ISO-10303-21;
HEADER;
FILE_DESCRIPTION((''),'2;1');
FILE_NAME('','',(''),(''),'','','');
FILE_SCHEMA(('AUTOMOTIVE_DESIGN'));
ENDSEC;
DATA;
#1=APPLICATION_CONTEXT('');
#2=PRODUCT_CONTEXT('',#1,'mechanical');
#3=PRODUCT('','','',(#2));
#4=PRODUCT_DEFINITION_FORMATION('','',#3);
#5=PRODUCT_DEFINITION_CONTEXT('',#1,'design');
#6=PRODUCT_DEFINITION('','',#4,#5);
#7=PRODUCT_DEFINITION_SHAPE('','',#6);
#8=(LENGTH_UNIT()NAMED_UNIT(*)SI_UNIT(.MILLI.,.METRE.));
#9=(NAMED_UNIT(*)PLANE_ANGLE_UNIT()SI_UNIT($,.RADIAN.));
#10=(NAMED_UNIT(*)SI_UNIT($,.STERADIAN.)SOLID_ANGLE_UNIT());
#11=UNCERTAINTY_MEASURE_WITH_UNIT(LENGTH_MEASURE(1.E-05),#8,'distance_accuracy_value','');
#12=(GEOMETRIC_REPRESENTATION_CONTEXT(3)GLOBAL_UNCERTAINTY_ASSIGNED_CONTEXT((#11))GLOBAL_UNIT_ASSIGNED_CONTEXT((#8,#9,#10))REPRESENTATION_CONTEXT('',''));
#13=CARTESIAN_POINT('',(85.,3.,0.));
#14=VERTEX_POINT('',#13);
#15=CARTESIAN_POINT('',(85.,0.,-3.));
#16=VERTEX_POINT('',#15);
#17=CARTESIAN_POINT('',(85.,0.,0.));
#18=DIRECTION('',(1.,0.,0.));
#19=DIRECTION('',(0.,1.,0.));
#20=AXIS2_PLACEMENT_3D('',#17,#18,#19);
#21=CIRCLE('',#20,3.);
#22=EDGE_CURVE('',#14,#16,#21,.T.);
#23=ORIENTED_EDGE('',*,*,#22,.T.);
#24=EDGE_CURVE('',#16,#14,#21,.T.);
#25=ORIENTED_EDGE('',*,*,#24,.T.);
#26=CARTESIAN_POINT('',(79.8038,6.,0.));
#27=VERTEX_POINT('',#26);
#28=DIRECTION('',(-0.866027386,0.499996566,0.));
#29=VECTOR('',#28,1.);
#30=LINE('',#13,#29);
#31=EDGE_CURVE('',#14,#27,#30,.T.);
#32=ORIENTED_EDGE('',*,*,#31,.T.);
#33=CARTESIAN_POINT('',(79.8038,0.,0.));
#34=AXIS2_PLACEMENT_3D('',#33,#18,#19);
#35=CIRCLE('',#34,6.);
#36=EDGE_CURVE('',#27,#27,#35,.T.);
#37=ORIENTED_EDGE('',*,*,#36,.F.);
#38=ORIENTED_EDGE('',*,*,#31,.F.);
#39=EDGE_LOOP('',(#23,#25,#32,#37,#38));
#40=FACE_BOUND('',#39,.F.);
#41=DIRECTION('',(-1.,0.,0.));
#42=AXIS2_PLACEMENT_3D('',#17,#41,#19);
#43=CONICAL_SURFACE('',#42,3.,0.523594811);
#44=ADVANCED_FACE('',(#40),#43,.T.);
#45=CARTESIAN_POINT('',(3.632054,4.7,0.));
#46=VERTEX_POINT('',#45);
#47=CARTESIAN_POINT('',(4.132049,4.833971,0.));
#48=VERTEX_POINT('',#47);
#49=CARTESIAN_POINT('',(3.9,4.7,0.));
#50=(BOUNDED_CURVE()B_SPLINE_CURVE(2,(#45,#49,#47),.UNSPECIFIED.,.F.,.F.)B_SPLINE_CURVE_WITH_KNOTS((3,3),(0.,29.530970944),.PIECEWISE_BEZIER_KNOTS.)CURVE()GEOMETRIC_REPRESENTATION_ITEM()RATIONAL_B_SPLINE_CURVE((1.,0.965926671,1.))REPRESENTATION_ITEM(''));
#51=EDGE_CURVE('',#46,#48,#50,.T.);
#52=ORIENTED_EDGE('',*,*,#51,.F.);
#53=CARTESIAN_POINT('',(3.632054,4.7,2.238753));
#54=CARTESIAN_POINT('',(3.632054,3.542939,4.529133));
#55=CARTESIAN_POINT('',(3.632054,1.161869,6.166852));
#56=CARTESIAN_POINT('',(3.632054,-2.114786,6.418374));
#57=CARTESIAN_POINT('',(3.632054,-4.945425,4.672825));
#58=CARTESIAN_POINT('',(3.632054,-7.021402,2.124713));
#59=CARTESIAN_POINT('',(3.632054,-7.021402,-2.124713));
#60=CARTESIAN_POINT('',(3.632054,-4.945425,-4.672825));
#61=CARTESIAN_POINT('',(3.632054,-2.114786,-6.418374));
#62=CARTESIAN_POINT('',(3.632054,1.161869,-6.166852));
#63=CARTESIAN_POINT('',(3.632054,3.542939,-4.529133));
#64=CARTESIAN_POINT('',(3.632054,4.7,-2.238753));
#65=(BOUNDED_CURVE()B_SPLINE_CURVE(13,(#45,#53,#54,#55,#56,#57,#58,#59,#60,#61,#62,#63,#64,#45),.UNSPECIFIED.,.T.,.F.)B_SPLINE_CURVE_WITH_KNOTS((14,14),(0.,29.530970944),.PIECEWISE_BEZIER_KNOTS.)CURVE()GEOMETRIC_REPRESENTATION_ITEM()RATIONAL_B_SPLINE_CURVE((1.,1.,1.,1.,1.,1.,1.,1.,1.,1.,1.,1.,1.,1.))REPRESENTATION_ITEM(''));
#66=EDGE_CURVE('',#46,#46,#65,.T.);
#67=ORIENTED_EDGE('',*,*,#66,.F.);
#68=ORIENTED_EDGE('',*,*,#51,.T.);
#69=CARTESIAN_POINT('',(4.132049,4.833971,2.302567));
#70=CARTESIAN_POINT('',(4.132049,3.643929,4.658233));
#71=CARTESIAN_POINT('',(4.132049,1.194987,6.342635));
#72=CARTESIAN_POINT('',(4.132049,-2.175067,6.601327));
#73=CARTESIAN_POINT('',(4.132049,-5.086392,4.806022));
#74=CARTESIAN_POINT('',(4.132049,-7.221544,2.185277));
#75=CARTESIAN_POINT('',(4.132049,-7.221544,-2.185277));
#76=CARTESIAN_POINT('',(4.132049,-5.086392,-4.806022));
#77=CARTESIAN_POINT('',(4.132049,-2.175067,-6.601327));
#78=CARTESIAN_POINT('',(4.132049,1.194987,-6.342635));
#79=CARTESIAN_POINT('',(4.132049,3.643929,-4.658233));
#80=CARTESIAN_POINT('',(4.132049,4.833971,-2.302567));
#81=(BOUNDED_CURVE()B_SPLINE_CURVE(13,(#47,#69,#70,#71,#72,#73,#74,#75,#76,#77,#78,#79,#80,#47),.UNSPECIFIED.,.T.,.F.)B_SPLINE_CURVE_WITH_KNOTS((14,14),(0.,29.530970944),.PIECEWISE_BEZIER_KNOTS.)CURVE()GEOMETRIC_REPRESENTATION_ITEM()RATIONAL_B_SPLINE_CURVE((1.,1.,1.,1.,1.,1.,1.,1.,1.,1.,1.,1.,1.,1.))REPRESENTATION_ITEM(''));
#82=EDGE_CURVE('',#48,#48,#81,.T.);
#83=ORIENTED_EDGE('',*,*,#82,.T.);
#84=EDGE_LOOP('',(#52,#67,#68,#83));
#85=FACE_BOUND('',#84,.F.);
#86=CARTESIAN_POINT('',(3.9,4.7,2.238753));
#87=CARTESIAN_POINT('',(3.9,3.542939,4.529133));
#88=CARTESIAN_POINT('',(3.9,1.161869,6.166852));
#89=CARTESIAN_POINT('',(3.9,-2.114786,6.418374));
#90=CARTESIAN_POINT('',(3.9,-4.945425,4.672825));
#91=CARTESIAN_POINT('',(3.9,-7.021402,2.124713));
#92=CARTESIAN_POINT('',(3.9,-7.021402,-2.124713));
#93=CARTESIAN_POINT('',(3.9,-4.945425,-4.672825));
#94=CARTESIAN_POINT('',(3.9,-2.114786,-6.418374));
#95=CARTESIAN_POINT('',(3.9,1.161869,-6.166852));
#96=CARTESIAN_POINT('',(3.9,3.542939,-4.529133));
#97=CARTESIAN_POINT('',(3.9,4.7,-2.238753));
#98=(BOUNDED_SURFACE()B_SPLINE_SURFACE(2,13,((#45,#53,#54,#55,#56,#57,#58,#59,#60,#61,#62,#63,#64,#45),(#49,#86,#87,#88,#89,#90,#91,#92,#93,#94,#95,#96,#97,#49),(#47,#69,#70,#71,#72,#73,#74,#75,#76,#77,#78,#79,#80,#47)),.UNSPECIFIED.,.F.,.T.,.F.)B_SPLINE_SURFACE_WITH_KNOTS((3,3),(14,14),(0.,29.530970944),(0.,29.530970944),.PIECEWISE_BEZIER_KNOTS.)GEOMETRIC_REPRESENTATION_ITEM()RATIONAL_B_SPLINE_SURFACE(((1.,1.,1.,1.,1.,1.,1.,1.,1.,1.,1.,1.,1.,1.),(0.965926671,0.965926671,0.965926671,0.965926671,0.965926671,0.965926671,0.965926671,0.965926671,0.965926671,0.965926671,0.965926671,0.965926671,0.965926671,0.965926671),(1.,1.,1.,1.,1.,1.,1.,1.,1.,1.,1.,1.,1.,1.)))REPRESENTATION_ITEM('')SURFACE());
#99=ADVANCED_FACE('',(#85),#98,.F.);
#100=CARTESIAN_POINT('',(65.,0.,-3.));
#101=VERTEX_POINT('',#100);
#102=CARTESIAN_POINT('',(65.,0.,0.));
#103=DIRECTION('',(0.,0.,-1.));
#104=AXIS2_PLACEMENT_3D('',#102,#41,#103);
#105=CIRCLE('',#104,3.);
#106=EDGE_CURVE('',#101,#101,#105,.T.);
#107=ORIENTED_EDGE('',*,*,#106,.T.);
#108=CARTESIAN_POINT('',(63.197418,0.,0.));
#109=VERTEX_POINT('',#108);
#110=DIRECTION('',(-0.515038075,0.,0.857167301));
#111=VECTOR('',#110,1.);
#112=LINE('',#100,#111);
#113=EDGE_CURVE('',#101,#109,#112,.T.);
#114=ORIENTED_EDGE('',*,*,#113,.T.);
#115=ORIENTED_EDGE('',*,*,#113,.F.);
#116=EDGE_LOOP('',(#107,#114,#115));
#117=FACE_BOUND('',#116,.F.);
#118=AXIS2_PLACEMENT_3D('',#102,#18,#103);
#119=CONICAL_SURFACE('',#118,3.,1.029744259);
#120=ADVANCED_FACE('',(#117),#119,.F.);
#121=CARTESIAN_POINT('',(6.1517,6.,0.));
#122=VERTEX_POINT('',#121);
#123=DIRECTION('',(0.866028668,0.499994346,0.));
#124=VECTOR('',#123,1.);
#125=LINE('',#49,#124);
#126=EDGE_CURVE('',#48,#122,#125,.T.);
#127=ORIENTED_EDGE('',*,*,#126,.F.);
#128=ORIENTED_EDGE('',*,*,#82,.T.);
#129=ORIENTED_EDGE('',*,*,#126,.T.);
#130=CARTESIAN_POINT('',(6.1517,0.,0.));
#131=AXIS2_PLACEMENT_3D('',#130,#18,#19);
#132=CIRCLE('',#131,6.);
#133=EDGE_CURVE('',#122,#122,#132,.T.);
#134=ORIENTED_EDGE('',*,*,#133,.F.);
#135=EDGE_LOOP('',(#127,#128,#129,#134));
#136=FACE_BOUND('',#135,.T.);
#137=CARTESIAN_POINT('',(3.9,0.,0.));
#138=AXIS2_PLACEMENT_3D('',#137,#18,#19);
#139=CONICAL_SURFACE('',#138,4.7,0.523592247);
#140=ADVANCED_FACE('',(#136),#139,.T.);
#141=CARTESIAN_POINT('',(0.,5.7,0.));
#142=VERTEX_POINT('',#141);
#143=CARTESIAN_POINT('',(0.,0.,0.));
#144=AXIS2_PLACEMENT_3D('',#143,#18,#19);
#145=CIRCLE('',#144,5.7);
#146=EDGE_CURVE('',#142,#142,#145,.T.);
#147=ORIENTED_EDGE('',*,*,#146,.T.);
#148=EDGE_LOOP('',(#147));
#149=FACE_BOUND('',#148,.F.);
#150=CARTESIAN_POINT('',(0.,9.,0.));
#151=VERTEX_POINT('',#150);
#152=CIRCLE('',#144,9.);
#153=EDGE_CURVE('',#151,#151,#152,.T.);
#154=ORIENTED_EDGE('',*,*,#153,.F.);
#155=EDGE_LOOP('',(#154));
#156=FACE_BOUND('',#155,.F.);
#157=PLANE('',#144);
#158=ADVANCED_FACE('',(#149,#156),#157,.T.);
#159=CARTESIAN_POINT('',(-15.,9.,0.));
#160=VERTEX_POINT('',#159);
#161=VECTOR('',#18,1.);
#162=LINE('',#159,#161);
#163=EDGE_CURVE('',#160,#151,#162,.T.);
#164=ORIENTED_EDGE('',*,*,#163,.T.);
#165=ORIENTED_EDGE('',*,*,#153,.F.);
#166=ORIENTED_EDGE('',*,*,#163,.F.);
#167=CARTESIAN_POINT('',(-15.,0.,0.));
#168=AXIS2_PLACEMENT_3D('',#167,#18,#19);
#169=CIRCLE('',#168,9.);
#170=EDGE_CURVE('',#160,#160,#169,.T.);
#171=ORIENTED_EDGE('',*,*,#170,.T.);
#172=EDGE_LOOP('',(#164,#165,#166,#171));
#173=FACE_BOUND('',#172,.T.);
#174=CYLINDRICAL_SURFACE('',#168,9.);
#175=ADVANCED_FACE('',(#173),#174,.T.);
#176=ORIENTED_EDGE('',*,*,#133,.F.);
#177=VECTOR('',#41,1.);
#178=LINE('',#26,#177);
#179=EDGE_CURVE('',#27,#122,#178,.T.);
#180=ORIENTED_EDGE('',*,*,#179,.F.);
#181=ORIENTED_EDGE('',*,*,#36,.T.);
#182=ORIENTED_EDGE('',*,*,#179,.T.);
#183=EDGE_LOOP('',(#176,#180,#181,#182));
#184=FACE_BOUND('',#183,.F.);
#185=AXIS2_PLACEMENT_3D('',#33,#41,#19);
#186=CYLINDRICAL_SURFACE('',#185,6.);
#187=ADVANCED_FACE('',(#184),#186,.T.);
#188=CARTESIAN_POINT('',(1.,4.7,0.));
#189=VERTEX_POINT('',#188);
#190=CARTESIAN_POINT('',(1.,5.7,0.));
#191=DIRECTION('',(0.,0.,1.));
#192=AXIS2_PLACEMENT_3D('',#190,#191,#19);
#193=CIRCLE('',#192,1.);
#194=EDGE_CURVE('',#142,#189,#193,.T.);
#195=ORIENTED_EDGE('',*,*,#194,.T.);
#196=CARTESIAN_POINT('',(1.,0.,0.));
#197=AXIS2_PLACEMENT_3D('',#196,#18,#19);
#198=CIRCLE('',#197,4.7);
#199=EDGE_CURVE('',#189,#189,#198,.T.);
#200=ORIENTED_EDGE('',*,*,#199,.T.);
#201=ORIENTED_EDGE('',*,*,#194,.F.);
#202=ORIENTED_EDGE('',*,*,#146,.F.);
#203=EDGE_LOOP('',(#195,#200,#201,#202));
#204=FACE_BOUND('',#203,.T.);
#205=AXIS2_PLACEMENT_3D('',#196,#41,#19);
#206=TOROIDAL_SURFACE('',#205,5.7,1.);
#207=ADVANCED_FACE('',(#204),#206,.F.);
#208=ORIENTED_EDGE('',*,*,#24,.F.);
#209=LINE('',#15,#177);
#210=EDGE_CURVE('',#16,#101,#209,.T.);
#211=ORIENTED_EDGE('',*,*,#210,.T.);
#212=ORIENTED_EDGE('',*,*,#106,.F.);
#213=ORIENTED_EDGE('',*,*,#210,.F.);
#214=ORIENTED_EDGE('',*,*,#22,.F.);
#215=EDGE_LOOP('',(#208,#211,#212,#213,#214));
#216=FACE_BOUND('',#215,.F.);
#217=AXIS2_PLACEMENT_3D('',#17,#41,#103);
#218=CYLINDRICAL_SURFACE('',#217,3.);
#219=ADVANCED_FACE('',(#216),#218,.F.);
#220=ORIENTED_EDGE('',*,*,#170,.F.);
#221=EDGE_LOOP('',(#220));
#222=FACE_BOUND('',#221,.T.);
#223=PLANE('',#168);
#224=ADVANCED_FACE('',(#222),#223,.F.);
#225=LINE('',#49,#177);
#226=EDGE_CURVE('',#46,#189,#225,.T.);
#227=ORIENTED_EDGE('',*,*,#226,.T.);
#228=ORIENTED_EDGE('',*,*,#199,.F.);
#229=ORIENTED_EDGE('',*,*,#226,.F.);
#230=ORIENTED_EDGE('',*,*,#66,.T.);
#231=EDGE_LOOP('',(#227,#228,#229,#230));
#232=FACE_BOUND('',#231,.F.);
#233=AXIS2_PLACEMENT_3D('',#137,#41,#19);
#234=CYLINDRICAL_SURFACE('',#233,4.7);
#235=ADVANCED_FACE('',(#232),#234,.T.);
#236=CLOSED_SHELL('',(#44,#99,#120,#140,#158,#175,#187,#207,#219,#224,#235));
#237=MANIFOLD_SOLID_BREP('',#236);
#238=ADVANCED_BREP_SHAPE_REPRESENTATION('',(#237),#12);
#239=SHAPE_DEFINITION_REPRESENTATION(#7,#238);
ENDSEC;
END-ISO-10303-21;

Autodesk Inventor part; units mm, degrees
ref_plane "YZ Plane" through (0, 0, 0) normal (1, 0, 0) x (0, 1, 0)
ref_plane "XZ Plane" through (0, 0, 0) normal (0, 1, 0) x (-1, 0, 0)
ref_plane "XY Plane" through (0, 0, 0) normal (0, 0, 1) x (1, 0, 0)
sketch "Skizze1" plane through (0, 0, 0) normal (0, 0, 1) x (1, 0, 0)
  line L0 (-35, 0) -> (105, 0) projected
  line L1 (0, -1.8) -> (0, 10.8) projected
  line L2 (0, 0) -> (65, 0)
  line L3 (85, 0) -> (85, 3)
  line L4 (79.8038, 6) -> (6.1517, 6)
  line L5 (0, 6) -> (0, 0)
  line L6 (0, 0) -> (-15, 0)
  line L7 (-15, 0) -> (-15, 9)
  line L8 (-15, 9) -> (0, 9)
  line L9 (0, 9) -> (0, 0)
  line L10 (85, 0) -> (65, 0)
  line L11 (85, 3) -> (85, 0)
  line L12 (85, 3) -> (79.8038, 6)
  line L13 (0, 0) -> (3.9, 0)
  line L14 (3.9, 0) -> (3.9, 4.7)
  line L15 (3.9, 4.7) -> (0, 4.7)
  line L16 (0, 4.7) -> (0, 0)
  line L17 (3.9, 4.7) -> (6.1517, 6)
  point P0 (85, 1.5)
  point P1 (0, 4.7)
  dimension "d2" = 9
  dimension "d3" = 100
  dimension "d7" = 30
  dimension "d8" = 12
  dimension "d10" = 6
  dimension "d11" = 85
  dimension "d12" = 9.4
  dimension "d13" = 3.9
  dimension "d17" = 30
revolve "Umdrehung1" add sketch "Skizze1" angle 360 about axis through (-10, 0, 0) along (1, 0, 0)
sketch "Skizze2" plane through (85, 0, 0) normal (1, 0, 0) x (0, 0, -1)
  point P0 (0, 0)
  point P1 (0, 0)
hole "Bohrung1" at (85, 0, 0) direction (-1, 0, 0) diameter 6 depth 20 tip angle 118
fillet "Rundung1" radius 1 1 edges at (0, -4.7, 0)
fillet "Rundung2" radius 1 1 edges at (3.9, -4.7, 0)
thread "Gewinde1" size "M12x1" class "6g" standard "ANSI Metric M Profile" full length
sketch "Skizze3" plane through (-15, 0, 0) normal (-1, 0, 0) x (0, 0, 1)
  point P0 (0, 0)
properties part number "2.3_Druckschraube" material "1.0038 S235JR"
